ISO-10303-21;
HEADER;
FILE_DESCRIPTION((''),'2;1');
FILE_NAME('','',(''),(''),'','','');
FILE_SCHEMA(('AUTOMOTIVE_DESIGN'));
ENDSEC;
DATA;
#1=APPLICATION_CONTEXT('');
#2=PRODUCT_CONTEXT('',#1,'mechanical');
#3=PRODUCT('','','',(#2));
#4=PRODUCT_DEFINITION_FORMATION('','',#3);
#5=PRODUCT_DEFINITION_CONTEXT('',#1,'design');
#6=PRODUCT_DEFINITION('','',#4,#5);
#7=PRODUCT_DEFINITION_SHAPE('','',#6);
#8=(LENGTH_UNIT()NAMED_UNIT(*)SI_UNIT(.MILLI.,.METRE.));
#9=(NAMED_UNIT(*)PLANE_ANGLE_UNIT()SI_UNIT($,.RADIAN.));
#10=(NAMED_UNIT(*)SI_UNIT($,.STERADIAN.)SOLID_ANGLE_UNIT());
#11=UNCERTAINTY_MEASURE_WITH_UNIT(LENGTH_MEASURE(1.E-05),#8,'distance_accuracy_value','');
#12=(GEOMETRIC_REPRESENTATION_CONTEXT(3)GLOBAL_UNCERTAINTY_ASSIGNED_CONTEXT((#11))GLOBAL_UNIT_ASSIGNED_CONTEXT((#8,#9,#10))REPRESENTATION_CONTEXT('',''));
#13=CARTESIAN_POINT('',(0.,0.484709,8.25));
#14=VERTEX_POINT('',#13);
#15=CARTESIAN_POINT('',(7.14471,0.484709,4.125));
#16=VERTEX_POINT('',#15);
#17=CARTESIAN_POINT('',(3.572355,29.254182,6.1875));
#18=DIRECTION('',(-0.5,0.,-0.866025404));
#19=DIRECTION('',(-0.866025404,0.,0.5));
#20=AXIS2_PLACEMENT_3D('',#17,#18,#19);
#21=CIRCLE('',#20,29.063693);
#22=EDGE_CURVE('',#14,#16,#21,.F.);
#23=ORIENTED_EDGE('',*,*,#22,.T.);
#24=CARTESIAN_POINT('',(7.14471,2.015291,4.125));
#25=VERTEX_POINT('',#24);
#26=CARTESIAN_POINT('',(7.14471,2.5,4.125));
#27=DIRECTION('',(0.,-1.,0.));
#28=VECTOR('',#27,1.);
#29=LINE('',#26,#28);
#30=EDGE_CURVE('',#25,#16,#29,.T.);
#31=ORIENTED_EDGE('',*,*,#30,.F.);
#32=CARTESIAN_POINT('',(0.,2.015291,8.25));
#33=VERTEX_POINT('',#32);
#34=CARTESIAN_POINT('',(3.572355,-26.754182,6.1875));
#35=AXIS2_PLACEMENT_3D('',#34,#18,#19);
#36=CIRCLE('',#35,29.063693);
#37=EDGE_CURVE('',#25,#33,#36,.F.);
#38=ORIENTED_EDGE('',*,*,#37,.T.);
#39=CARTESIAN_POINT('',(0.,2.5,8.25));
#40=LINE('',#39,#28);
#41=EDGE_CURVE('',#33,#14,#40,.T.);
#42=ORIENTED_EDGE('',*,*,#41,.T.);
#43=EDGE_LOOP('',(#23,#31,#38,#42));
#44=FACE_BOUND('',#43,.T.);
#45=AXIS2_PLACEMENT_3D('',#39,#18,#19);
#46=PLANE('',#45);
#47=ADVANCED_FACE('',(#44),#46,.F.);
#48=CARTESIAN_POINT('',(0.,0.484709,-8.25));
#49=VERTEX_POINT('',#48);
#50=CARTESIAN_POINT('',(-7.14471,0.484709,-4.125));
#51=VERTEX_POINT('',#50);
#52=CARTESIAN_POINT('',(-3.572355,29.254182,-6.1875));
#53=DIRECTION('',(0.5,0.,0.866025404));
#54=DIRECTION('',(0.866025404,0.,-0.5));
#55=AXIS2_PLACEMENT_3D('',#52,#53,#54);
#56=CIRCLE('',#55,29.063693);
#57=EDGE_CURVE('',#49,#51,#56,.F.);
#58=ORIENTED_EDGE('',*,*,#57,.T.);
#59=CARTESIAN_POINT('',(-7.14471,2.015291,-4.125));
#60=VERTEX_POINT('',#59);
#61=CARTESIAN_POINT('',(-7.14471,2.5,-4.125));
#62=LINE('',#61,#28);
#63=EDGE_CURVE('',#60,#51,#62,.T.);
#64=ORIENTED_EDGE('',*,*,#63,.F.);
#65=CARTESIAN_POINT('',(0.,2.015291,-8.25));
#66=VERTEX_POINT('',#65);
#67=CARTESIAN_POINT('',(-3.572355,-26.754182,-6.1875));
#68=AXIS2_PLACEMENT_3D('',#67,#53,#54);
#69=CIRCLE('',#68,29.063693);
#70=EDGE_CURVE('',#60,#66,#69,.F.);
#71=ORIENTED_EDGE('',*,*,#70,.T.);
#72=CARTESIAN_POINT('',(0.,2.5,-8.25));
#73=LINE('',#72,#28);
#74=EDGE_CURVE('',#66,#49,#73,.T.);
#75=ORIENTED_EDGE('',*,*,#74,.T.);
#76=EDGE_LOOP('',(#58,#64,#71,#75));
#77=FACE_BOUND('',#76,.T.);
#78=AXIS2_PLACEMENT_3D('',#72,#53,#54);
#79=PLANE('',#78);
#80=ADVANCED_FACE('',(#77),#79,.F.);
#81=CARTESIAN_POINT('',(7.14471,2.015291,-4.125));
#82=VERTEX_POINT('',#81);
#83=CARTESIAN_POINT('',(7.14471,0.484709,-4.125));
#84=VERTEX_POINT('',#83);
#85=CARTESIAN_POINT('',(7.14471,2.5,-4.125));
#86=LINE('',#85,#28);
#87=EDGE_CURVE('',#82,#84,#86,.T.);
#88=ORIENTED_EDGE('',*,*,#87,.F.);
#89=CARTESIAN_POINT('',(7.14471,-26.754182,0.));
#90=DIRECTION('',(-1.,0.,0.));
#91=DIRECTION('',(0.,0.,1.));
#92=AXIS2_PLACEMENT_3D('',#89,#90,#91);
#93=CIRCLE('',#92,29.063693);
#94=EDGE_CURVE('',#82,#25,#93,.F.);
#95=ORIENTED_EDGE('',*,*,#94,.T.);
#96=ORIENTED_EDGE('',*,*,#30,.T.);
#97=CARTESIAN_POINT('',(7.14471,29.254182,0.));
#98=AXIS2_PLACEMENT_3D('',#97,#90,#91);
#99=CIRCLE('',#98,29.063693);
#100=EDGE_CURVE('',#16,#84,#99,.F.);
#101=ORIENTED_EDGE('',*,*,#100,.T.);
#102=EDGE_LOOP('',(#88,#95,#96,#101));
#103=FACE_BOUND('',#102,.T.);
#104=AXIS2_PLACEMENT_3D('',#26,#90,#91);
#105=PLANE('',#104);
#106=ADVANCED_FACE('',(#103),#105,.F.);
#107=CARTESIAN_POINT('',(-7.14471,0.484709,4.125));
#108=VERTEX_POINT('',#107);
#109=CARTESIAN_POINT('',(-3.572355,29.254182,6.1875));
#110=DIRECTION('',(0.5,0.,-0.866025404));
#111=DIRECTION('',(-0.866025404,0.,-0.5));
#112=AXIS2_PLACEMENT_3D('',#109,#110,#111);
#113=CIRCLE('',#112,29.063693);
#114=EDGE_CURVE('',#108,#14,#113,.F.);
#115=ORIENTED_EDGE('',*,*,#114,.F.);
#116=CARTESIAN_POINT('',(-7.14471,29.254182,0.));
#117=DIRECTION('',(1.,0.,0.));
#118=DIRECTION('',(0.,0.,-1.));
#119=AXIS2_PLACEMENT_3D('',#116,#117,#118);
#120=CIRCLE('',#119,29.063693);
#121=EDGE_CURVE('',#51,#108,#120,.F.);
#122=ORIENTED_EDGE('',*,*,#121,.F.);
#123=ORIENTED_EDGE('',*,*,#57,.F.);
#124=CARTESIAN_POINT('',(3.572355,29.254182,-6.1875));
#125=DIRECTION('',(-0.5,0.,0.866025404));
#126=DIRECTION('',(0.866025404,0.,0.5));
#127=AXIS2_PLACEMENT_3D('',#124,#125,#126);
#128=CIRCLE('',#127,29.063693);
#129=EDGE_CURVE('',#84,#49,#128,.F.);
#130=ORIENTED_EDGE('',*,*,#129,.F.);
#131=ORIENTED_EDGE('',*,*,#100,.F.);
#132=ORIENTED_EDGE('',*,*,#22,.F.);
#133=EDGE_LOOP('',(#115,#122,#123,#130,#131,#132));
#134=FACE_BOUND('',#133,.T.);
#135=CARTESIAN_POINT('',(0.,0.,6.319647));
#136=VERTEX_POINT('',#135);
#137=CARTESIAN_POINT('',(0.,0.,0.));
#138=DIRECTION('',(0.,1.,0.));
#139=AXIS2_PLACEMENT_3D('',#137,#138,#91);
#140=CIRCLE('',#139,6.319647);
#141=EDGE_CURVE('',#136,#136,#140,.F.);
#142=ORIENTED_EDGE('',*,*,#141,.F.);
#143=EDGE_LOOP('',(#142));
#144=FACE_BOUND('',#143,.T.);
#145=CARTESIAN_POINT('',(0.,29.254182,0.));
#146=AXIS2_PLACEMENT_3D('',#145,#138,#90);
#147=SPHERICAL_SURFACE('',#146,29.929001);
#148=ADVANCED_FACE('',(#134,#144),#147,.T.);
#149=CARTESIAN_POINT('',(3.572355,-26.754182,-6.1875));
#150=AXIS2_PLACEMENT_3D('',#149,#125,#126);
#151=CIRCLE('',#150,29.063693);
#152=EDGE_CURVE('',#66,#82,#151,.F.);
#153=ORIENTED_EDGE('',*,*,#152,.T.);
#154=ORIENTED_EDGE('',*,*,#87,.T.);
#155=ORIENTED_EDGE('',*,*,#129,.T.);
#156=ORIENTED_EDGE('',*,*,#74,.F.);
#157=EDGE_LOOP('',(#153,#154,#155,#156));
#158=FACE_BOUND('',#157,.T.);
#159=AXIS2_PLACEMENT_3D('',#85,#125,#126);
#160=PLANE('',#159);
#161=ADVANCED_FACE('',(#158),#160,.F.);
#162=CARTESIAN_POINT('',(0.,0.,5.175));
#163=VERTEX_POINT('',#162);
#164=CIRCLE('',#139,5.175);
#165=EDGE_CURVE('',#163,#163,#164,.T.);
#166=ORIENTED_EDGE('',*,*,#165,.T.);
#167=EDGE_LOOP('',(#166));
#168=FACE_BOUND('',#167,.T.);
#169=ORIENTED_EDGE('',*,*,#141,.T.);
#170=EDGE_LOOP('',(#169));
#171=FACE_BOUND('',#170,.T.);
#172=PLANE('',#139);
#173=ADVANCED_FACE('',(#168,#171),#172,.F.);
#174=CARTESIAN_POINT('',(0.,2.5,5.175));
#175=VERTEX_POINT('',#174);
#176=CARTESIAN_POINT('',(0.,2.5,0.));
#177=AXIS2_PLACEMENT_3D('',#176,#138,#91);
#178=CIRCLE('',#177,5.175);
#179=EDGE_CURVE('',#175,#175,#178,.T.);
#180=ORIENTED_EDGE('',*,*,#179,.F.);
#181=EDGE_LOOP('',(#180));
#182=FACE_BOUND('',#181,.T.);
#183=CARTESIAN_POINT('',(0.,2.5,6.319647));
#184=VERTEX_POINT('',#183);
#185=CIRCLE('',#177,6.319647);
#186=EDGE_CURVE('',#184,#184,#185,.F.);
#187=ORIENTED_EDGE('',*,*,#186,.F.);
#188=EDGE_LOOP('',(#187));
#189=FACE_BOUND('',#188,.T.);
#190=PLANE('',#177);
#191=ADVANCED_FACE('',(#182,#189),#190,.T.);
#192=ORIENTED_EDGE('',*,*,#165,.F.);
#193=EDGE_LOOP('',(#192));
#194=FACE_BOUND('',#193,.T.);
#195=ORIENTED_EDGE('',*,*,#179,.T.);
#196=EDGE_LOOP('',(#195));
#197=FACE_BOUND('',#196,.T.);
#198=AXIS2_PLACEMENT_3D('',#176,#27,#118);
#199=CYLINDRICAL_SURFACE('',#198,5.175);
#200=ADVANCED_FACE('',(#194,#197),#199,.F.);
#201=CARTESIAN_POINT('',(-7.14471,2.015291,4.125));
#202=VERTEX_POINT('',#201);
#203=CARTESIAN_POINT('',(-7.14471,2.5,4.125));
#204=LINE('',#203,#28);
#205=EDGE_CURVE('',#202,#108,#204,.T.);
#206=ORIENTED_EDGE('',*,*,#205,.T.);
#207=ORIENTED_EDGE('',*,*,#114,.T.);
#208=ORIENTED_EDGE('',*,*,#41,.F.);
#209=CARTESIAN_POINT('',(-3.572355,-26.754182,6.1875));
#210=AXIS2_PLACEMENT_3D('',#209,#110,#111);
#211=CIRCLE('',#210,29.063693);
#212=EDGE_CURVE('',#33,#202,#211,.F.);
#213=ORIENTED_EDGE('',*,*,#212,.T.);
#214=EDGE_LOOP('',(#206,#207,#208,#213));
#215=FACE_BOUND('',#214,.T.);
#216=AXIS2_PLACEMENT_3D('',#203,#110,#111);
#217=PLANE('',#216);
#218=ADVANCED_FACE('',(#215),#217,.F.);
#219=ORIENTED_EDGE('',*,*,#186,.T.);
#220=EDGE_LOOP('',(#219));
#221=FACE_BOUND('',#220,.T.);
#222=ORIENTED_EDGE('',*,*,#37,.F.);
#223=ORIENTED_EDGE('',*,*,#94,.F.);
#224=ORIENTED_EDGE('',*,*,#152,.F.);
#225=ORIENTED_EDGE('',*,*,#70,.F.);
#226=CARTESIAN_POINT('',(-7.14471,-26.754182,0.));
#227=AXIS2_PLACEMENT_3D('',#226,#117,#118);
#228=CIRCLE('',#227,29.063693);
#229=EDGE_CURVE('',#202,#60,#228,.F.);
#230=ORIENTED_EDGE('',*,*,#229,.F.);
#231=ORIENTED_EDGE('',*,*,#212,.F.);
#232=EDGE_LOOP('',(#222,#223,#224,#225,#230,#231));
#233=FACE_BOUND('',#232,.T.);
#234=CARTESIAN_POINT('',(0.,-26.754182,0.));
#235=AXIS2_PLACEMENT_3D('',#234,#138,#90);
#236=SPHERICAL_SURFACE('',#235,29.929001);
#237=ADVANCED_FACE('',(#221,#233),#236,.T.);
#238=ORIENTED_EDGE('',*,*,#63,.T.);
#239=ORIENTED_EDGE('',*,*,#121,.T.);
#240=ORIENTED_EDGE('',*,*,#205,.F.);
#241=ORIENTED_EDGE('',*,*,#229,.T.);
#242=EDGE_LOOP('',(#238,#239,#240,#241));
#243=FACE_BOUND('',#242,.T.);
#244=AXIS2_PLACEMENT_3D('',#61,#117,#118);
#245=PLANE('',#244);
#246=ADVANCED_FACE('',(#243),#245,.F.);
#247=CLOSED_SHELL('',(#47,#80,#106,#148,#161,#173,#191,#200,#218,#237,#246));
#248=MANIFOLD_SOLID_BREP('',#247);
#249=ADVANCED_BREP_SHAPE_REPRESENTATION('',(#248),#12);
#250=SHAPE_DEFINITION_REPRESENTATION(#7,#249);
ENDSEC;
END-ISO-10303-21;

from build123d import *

# Parameters (mm, degrees)
SKETCH1_R           = 5.175
BOSS_EXTRUDE1_DEPTH = 2.5


with BuildPart() as part:
    # Sketch1 → Boss-Extrude1 (new body)
    with BuildSketch(Plane(origin=(0, 0, 0), x_dir=(1, 0, 0), z_dir=(0, 1, 0))):
        Polygon((0, 8.25), (-7.144709581, 4.125), (-7.144709581, -4.125), (0, -8.25), (7.144709581, -4.125), (7.144709581, 4.125), align=None)
        Circle(SKETCH1_R, mode=Mode.SUBTRACT)
    extrude(amount=BOSS_EXTRUDE1_DEPTH)

    # Sketch2 → Cut-Revolve3 (revolve, cut)
    with BuildSketch(Plane(origin=(1.914419162, 0, 0), x_dir=(1, 0, 0), z_dir=(0, 0, 1))):
        with BuildLine():
            Line((-1.914419162, 3.174819063), (-1.914419162, 16.07690266))
            ThreePointArc((-1.914419162, 16.07690266), (-17.205966927, 0.785354895), (-1.914419162, -14.506192869))
            Line((-1.914419162, -14.506192869), (-1.914419162, -0.674819063))
            ThreePointArc((-1.914419162, -0.674819063), (-7.281350854, -0.189682365), (-12.47429107, 1.25))
            ThreePointArc((-12.47429107, 1.25), (-7.281350854, 2.689682365), (-1.914419162, 3.174819063))
        make_face()
    revolve(axis=Axis((0, 4.297603661, 0), (0, -1, 0)), mode=Mode.SUBTRACT)


solid = part.part
